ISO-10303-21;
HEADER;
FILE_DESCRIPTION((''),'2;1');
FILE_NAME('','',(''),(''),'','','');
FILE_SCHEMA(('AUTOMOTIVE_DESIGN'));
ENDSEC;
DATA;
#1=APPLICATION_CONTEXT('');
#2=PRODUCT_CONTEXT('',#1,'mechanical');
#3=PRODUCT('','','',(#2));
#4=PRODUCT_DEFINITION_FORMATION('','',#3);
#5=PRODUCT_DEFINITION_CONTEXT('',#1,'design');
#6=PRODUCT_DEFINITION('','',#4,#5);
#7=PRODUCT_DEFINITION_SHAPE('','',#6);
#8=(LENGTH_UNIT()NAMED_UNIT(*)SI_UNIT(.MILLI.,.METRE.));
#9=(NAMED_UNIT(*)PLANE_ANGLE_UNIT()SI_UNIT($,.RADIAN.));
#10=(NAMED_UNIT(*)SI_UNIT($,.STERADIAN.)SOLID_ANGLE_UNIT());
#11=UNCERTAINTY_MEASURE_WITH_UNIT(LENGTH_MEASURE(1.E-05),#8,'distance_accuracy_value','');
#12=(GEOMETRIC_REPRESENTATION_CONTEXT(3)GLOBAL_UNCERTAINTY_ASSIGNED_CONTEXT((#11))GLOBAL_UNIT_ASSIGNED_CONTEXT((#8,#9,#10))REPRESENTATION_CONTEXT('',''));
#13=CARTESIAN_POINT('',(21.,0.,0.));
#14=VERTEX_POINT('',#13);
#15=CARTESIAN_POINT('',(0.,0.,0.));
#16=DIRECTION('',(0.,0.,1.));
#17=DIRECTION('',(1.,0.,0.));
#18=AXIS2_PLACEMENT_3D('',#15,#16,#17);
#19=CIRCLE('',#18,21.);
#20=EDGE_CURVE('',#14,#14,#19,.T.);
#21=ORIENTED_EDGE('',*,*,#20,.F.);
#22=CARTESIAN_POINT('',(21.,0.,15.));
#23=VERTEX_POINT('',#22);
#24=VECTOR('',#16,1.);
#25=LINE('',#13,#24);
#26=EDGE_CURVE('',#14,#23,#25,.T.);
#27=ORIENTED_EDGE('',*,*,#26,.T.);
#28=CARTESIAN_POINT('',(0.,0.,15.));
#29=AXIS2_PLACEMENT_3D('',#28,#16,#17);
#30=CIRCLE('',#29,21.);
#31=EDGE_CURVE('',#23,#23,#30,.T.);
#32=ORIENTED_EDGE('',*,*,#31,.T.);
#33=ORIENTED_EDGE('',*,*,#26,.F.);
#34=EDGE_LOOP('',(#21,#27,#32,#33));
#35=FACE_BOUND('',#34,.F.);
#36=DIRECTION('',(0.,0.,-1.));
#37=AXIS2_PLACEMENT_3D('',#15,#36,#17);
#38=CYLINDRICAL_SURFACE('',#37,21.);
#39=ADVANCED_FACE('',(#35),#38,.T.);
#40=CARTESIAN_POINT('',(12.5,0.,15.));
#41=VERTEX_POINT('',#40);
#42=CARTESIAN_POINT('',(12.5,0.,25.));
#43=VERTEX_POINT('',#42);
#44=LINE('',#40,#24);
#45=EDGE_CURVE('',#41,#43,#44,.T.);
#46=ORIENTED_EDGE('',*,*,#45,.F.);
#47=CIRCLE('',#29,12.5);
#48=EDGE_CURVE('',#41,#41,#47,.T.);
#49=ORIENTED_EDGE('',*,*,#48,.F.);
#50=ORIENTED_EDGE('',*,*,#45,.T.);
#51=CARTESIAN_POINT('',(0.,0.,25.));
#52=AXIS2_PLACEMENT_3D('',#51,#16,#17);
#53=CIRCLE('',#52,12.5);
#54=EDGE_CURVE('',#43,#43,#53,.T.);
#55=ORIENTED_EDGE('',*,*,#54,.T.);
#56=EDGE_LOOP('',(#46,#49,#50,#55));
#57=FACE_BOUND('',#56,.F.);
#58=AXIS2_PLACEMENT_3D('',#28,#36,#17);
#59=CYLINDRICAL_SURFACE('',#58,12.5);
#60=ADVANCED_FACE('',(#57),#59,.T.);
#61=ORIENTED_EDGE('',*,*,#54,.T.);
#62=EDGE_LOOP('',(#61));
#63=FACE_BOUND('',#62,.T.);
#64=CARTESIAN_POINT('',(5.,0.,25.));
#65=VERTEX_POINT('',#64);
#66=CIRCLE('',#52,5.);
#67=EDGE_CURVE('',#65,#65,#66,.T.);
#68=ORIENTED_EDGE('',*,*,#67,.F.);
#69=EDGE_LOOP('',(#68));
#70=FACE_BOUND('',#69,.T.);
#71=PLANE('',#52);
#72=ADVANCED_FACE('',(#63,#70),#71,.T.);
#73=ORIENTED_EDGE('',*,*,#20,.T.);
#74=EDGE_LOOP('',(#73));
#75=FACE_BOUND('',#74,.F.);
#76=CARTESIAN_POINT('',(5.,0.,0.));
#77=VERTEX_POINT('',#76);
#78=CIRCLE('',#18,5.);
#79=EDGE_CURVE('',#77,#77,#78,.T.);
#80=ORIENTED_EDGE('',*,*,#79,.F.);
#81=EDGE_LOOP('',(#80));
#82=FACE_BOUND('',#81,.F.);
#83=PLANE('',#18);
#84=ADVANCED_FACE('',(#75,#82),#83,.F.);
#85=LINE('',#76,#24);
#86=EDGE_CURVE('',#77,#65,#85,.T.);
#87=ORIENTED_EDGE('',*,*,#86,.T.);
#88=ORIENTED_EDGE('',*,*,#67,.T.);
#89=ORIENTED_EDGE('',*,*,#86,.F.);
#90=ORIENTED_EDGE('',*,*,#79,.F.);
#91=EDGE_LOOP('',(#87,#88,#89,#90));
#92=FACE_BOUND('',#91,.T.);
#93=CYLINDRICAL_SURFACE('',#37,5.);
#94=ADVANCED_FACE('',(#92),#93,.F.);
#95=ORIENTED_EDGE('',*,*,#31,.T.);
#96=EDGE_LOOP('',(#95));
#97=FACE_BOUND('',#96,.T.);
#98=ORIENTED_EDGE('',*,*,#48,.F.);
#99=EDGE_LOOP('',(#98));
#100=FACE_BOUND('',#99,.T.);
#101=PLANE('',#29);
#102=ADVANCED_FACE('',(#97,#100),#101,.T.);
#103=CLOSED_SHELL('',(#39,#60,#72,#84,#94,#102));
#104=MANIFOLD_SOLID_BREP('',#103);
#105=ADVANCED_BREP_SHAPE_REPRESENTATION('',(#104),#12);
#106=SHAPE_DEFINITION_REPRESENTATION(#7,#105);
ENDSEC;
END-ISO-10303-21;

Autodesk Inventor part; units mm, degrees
ref_plane "YZ Plane" through (0, 0, 0) normal (1, 0, 0) x (0, 1, 0)
ref_plane "XZ Plane" through (0, 0, 0) normal (0, 1, 0) x (-1, 0, 0)
ref_plane "XY Plane" through (0, 0, 0) normal (0, 0, 1) x (1, 0, 0)
sketch "Sketch1" plane through (0, 0, 0) normal (0, 0, 1) x (1, 0, 0)
  circle A0 centre (0, 0) radius 5
  circle A1 centre (0, 0) radius 21
  dimension "d0" = 10
  dimension "d1" = 42
extrude "Extrusion1" add sketch "Sketch1" along normal blind 15
sketch "Sketch2" plane through (0, 0, 15) normal (0, 0, 1) x (1, 0, 0)
  circle A0 centre (0, 0) radius 12.5
  circle A1 centre (0, 0) radius 5 projected
  dimension "d4" = 25
extrude "Extrusion2" add sketch "Sketch2" along normal blind 10
properties part number "gear"
